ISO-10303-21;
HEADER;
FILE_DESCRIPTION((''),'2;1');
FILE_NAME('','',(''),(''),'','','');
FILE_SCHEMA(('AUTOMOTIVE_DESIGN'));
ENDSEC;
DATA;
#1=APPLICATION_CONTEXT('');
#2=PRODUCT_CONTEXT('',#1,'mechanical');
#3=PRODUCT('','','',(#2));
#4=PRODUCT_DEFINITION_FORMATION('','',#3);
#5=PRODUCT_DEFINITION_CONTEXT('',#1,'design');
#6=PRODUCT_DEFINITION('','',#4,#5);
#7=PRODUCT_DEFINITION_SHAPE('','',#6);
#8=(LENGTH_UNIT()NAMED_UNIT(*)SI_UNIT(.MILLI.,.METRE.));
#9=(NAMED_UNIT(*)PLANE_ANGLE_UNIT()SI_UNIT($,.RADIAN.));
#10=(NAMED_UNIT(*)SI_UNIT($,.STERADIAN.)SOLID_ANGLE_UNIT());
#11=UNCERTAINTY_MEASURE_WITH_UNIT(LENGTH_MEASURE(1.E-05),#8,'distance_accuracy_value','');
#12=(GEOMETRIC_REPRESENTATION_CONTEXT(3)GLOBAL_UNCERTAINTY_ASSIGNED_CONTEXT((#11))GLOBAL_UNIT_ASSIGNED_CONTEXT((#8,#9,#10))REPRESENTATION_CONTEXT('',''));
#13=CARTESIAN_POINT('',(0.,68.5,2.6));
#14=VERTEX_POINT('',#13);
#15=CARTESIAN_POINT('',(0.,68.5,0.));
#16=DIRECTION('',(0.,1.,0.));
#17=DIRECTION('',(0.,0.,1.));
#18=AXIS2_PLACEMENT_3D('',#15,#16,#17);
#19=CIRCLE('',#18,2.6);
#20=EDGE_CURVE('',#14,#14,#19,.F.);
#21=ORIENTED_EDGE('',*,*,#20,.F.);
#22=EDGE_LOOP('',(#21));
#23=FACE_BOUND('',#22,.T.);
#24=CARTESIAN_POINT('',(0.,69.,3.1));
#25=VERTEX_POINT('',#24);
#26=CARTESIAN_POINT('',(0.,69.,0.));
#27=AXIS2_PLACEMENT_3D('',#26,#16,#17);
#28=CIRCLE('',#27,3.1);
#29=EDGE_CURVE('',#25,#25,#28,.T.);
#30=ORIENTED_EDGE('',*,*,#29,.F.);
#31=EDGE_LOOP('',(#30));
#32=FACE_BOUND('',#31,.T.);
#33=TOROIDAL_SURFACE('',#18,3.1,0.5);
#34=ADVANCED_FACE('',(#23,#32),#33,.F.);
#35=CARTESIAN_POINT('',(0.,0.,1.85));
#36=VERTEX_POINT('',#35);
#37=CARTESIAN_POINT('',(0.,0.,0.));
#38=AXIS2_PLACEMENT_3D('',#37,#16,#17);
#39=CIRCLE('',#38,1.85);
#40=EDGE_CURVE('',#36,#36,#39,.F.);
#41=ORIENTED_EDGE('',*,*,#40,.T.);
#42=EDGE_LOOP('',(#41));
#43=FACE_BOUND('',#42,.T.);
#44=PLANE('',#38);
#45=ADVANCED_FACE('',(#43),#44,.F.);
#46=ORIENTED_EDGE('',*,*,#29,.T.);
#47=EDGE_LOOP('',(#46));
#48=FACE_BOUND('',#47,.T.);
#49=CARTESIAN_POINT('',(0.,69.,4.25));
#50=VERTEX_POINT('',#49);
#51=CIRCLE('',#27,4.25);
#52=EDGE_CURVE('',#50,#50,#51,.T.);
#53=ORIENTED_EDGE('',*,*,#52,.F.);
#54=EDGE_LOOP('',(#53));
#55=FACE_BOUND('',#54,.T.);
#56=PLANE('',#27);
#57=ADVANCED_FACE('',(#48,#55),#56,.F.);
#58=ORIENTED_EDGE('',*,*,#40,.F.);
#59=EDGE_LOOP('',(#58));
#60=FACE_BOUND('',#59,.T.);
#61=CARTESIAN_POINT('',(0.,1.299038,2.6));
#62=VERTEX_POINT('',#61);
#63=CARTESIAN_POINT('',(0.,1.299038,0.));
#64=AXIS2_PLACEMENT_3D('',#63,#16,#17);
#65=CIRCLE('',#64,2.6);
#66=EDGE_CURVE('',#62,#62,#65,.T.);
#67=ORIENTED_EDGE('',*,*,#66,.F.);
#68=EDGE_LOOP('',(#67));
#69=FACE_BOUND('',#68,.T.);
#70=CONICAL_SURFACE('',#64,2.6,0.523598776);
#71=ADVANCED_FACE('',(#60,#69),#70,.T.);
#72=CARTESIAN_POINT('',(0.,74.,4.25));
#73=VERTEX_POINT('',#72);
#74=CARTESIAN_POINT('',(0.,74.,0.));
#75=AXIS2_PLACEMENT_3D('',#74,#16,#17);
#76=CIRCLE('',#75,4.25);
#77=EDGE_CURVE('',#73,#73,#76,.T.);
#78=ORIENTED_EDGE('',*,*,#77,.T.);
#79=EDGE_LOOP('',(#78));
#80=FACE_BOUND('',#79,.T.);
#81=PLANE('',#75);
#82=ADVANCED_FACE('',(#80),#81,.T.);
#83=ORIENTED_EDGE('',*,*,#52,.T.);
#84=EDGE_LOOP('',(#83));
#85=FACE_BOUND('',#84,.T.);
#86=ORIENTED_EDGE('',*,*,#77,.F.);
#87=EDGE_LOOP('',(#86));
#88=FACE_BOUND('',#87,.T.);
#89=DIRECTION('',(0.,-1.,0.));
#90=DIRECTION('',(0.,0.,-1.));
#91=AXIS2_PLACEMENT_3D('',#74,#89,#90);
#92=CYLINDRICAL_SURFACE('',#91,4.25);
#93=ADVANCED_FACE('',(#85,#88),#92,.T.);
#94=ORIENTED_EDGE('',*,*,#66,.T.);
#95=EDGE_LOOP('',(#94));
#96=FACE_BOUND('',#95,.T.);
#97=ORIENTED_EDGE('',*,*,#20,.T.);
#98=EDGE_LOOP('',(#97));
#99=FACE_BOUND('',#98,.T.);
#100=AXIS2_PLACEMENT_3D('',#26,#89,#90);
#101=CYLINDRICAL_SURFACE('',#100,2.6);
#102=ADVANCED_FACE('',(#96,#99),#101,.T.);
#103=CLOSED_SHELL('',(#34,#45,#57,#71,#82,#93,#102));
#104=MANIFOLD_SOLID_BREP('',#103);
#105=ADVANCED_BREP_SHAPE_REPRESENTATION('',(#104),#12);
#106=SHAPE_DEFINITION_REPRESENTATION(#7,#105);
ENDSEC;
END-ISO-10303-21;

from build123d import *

# Parameters (mm, degrees)
SKETCH1_R           = 2.6
BOSS_EXTRUDE1_DEPTH = 69
SKETCH2_R           = 4.25
BOSS_EXTRUDE2_DEPTH = 5
FILLET1_R           = 0.5
CHAMFER1_SIZE       = 0.75
CHAMFER1_SIZE2      = 1.299038106


with BuildPart() as part:
    # Sketch1 → Boss-Extrude1 (new body)
    with BuildSketch(Plane(origin=(0, 0, 0), x_dir=(1, 0, 0), z_dir=(0, 1, 0))):
        with Locations(Location((0, 0, 0), (0, 0, 270))):
            Circle(SKETCH1_R)
    extrude(amount=BOSS_EXTRUDE1_DEPTH)

    # Sketch2 → Boss-Extrude2 (add)
    with BuildSketch(Plane(origin=(0, 69, 0), x_dir=(1, 0, 0), z_dir=(0, 1, 0))):
        with Locations(Location((0, 0, 0), (0, 0, 270))):
            Circle(SKETCH2_R)
    extrude(amount=BOSS_EXTRUDE2_DEPTH)

    # Fillet1
    fillet1_edges = [part.edges().sort_by_distance(p)[0] for p in [
        (0, 69, -2.6),
    ]]
    fillet(fillet1_edges, radius=FILLET1_R)

    # Chamfer1
    chamfer1_edges = [part.edges().sort_by_distance(p)[0] for p in [
        (0, 0, -2.6),
    ]]
    chamfer1_side = [part.faces().sort_by_distance(p)[0] for p in [
        (0, 0, 0),
    ]]
    chamfer(chamfer1_edges, length=CHAMFER1_SIZE, length2=CHAMFER1_SIZE2, reference=chamfer1_side[0])


solid = part.part
